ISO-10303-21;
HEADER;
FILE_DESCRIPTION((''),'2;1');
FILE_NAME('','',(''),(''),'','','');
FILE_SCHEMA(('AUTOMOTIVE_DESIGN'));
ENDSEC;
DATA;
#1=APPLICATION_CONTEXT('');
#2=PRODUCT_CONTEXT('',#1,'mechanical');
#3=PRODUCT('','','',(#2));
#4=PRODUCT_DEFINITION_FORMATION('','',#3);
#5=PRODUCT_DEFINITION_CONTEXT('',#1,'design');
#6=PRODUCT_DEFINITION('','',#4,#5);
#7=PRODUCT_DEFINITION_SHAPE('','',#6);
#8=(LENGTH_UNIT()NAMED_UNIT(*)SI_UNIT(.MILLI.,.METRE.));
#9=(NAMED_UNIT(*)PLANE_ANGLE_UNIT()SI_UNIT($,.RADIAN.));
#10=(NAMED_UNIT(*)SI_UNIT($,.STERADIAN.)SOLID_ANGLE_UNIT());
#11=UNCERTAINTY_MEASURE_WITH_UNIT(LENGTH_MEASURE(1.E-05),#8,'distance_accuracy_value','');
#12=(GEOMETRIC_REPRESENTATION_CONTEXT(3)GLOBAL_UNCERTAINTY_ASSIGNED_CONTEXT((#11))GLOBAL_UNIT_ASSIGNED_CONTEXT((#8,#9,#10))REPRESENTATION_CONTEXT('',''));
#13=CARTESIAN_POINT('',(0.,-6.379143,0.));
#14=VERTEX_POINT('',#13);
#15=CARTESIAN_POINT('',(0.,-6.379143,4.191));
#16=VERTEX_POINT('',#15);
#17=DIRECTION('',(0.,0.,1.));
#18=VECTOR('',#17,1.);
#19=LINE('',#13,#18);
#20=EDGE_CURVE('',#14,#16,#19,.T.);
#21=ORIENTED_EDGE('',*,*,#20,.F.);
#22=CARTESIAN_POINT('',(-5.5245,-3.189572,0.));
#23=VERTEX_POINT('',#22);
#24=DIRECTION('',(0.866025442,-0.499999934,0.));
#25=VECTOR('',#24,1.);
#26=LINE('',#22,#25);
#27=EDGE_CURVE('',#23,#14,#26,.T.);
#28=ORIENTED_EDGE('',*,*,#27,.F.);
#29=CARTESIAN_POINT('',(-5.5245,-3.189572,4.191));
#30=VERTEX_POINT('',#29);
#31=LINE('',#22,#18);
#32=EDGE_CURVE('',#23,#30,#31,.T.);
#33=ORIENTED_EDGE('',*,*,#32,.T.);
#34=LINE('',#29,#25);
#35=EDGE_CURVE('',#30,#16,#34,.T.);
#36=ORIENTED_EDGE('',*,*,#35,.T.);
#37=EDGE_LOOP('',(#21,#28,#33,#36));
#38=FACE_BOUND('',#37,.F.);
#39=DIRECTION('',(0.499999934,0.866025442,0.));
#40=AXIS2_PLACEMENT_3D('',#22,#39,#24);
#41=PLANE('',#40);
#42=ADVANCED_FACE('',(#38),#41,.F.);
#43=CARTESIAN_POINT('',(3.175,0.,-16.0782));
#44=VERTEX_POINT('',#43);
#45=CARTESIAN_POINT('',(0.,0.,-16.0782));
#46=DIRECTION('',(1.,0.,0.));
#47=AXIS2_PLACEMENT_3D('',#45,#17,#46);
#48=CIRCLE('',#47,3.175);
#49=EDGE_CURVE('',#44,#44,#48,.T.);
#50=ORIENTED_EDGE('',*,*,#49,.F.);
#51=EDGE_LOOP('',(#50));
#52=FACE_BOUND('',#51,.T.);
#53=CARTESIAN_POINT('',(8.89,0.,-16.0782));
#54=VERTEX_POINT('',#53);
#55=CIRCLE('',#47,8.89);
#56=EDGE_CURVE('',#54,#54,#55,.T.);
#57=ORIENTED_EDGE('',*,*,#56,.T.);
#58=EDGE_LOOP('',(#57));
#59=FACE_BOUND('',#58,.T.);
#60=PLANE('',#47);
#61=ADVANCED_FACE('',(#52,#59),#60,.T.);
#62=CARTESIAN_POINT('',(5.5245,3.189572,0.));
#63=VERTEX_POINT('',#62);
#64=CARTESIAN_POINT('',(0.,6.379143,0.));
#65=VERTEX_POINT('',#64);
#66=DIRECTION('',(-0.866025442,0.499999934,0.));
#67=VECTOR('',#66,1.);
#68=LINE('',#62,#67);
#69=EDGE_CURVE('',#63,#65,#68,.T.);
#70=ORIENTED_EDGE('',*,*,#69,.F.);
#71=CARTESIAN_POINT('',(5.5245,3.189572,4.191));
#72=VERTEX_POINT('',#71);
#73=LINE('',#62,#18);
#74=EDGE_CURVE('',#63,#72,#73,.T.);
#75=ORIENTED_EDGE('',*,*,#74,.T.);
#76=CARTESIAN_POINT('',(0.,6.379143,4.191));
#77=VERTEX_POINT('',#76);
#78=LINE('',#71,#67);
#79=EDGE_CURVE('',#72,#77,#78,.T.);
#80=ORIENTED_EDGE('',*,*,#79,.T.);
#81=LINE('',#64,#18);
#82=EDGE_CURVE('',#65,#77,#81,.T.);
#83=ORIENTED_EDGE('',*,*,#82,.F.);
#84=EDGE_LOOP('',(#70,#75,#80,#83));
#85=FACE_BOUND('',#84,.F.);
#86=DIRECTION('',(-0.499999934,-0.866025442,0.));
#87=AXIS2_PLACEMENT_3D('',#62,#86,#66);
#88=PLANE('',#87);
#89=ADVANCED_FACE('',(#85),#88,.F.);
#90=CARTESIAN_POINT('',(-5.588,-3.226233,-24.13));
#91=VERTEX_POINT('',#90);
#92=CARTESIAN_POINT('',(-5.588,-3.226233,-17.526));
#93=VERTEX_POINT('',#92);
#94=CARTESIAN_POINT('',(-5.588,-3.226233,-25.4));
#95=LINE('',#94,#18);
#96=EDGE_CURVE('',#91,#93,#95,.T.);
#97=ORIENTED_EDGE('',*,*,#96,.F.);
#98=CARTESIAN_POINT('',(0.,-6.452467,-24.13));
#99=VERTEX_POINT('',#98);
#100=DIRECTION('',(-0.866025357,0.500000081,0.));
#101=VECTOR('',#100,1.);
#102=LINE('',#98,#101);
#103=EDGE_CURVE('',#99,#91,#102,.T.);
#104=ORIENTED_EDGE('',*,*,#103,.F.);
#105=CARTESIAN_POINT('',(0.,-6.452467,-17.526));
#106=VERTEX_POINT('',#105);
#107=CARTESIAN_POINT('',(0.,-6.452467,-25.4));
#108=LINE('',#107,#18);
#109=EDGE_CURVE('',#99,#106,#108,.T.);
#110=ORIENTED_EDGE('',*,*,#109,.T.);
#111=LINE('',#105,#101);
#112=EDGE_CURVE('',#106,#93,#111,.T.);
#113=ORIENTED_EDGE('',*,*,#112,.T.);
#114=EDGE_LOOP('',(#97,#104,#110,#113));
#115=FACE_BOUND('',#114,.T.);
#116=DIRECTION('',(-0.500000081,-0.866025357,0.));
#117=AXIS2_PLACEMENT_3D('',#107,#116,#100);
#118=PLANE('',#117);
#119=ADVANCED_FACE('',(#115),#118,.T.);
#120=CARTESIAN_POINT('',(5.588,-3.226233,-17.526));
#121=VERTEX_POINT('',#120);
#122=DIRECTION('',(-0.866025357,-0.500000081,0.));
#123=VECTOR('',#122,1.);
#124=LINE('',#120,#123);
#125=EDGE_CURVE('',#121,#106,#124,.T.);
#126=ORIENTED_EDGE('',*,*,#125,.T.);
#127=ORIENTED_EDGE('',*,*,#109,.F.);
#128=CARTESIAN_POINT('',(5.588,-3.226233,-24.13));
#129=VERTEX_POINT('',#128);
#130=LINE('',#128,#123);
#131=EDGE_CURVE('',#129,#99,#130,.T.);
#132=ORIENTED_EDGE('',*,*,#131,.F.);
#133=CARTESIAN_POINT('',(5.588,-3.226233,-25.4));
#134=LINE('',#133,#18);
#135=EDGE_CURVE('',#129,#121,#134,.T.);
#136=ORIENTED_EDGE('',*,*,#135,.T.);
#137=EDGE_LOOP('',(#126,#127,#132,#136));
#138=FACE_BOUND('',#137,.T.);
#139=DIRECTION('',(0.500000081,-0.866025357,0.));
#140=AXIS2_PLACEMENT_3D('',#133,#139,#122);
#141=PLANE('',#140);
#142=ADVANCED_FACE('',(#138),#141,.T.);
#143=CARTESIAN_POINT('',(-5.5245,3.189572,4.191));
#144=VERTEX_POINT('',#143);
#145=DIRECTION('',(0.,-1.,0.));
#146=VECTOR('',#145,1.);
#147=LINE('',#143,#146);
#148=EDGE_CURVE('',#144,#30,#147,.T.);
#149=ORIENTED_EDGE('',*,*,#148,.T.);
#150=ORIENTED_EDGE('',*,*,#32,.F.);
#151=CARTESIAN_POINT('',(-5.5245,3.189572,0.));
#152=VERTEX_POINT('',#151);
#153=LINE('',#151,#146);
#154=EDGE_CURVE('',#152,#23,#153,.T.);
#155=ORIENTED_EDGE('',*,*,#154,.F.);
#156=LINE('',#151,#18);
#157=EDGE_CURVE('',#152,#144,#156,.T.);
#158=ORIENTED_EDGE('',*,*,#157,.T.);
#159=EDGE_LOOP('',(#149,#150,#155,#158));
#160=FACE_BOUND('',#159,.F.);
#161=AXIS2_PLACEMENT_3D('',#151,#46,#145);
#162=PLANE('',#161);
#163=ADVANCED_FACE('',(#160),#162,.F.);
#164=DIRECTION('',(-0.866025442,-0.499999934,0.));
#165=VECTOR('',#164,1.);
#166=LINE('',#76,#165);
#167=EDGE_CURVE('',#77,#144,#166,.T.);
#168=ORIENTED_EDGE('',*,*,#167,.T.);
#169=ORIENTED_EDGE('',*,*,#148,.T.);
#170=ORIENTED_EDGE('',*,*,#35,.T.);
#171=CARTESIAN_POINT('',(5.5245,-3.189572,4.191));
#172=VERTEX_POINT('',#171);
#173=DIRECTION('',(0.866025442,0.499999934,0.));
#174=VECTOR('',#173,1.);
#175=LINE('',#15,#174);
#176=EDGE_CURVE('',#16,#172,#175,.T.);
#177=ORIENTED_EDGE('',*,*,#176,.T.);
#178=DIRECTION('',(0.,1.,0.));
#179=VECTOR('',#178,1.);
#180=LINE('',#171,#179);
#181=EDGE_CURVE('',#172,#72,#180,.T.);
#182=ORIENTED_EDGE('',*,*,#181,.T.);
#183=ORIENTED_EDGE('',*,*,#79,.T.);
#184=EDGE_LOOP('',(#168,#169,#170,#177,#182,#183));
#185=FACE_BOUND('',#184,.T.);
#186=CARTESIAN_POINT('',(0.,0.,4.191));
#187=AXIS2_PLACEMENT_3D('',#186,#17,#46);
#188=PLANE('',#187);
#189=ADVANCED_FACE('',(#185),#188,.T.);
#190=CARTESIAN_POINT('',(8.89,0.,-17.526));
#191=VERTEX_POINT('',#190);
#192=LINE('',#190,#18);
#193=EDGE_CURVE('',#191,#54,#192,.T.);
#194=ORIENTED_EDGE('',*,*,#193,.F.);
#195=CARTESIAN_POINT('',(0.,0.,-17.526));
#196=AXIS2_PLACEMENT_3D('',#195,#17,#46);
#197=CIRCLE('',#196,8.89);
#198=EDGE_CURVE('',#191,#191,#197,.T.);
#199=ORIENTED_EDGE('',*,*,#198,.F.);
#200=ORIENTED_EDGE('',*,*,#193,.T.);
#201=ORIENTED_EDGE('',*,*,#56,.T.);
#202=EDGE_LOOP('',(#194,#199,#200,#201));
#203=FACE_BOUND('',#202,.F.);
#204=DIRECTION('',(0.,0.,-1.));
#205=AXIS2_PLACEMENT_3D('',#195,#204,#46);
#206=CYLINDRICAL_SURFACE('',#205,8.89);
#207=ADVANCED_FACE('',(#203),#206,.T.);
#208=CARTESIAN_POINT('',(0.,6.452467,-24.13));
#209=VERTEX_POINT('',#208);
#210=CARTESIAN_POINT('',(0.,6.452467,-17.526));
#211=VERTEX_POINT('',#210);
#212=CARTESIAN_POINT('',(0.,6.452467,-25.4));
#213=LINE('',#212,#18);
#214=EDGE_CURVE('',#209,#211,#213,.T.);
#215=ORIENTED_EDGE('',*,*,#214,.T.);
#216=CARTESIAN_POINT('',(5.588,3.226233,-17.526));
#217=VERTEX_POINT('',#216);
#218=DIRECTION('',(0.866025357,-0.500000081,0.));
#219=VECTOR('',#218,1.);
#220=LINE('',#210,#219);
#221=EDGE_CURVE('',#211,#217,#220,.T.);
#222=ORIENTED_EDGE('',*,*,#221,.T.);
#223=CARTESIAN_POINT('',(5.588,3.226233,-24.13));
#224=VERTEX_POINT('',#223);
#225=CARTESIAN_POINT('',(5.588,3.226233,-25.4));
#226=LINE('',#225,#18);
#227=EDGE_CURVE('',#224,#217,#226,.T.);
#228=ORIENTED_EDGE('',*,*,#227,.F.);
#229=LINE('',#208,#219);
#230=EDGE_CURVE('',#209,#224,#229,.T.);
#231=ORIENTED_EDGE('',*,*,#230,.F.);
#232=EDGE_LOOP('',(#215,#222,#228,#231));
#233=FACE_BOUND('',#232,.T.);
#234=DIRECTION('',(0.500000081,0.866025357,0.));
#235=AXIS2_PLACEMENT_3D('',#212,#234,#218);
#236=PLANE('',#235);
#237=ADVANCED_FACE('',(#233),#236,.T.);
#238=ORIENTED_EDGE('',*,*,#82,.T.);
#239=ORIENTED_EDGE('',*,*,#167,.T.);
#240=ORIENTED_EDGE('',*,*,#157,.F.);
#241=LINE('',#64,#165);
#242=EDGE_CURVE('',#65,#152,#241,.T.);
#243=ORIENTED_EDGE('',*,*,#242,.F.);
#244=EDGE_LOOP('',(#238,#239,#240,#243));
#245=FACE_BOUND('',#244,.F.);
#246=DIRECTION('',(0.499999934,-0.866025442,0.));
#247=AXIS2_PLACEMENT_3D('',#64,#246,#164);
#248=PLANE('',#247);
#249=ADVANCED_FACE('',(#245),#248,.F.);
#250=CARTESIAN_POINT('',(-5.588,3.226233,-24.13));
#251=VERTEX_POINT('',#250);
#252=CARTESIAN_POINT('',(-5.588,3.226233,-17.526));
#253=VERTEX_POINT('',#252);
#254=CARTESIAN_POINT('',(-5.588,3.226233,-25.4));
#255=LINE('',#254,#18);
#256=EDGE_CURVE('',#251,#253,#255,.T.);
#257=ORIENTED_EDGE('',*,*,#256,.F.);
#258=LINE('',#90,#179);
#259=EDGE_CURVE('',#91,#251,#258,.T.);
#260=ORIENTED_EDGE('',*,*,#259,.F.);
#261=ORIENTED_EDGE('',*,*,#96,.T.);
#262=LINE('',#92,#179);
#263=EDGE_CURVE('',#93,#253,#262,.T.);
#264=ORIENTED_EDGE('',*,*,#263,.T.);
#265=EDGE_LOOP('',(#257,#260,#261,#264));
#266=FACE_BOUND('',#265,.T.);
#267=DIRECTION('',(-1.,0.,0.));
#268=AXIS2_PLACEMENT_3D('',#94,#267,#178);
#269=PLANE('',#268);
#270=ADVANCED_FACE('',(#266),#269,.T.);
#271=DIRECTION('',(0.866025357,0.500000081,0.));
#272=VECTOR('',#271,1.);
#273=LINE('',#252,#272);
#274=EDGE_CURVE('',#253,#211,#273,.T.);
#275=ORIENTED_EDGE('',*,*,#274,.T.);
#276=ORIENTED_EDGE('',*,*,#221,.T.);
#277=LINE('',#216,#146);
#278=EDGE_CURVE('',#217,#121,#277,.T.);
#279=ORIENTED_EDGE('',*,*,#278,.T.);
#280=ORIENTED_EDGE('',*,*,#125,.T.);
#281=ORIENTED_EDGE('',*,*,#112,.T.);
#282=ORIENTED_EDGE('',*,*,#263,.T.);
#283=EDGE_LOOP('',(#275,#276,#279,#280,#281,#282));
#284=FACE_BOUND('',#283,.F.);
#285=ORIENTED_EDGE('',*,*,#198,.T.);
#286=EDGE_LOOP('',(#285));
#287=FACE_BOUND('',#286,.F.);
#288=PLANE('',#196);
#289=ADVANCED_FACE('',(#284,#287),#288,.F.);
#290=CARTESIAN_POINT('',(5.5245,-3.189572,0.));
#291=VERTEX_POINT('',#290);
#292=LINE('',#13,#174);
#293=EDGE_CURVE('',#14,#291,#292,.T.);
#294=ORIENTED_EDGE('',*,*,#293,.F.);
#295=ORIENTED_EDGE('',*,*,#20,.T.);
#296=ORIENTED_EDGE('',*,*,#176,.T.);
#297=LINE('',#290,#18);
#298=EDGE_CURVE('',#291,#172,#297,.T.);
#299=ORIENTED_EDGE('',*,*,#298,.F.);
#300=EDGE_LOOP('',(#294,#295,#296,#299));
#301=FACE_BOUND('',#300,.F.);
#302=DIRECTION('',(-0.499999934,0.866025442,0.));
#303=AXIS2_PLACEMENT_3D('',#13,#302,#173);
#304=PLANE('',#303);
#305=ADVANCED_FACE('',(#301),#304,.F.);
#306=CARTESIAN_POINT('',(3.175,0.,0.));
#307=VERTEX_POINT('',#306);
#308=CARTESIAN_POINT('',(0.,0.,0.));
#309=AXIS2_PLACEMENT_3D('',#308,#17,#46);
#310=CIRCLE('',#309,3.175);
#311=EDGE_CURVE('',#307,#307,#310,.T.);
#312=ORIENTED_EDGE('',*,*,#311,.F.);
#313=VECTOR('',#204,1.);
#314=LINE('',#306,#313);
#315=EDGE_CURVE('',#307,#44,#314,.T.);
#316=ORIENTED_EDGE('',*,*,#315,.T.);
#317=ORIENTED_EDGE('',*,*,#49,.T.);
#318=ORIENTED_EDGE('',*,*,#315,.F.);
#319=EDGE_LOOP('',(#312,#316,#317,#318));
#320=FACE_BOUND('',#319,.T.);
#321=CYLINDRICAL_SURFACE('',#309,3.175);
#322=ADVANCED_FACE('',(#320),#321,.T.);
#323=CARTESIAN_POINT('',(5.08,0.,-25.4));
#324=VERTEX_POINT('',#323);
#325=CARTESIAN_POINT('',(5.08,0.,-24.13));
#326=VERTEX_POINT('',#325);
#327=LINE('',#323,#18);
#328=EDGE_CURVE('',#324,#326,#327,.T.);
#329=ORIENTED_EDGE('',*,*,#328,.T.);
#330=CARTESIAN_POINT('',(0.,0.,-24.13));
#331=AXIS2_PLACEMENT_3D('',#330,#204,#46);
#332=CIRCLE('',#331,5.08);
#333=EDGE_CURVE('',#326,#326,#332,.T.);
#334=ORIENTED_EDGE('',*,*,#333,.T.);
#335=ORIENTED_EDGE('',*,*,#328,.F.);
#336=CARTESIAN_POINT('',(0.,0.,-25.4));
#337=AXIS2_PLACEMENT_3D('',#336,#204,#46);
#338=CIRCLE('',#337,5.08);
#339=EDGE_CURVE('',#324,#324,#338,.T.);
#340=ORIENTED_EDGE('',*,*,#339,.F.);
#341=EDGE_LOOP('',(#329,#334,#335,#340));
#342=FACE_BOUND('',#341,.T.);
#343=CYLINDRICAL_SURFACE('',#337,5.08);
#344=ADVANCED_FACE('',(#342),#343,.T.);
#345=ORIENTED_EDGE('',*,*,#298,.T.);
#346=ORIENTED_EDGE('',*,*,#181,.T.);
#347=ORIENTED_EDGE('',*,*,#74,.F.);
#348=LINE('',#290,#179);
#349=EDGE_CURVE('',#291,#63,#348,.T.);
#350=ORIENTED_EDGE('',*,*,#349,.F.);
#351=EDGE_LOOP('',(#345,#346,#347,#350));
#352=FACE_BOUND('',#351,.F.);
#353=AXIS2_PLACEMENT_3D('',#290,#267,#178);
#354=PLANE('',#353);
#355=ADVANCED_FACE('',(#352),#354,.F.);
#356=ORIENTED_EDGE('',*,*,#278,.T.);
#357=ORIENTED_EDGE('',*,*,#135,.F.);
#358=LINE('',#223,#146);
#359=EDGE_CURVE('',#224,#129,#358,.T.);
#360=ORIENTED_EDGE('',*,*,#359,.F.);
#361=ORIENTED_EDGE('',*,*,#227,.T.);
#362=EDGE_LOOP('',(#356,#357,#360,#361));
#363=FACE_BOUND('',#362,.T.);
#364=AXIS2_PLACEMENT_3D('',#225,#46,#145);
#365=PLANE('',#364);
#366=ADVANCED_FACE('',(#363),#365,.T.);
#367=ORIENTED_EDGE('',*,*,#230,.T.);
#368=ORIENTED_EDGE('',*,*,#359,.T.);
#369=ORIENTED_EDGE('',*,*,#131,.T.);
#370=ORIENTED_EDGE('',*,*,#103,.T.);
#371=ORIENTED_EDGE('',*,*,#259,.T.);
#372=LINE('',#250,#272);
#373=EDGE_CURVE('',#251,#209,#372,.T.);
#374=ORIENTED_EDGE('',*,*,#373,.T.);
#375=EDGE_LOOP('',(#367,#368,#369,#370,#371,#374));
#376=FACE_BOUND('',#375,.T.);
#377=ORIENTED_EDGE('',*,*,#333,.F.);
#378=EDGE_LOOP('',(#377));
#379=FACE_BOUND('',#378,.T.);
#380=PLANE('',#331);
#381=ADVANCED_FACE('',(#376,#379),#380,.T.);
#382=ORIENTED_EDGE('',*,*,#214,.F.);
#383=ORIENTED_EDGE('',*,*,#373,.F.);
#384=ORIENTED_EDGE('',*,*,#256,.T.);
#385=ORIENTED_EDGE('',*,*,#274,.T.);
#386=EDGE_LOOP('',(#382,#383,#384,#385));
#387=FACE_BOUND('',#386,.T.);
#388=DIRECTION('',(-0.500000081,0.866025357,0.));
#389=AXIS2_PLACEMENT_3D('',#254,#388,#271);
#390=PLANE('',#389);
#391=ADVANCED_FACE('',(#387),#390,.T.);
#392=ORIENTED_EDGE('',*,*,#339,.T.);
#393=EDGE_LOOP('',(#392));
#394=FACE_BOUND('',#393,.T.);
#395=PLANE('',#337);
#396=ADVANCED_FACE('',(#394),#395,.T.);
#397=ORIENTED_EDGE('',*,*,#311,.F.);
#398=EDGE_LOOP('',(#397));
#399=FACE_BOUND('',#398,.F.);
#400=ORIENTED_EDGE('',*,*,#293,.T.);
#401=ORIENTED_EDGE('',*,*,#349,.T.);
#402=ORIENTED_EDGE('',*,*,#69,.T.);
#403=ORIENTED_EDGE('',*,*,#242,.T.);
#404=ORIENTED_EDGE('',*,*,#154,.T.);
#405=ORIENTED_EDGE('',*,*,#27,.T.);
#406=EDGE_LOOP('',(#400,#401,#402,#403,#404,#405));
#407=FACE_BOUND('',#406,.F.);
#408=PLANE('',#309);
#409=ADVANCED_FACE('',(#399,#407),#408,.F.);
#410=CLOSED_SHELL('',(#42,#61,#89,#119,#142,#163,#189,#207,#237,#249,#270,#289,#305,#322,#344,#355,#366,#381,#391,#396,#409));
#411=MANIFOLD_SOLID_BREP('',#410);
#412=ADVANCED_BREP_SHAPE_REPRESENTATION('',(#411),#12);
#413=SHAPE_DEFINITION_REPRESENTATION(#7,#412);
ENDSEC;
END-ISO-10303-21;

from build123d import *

# Parameters (mm, degrees)
F0_R     = 3.175
F1_DEPTH = 25.4
F3_DEPTH = 4.191
F5_DEPTH = 7.874
F6_R     = 8.89
F7_DEPTH = 1.4478
F8_R     = 5.08
F9_DEPTH = 1.27


with BuildPart() as f1:
    # F0 (on Top) → F1 (new body)
    with BuildSketch(Plane.XY):
        Circle(F0_R)
    extrude(amount=-F1_DEPTH)

    # F2 (on face) → F3 (join)
    with BuildSketch(Plane.XY):
        Polygon((5.5245, 3.189572), (0, 6.379143), (-5.5245, 3.189572), (-5.5245, -3.189572), (0, -6.379143), (5.5245, -3.189572), align=None)
    extrude(amount=F3_DEPTH)

    # F4 (on face) → F5 (join)
    with BuildSketch(Plane(origin=(0, 0, -25.4), x_dir=(1, 0, 0), z_dir=(0, 0, -1))):
        Polygon((5.588, 3.226233), (0, 6.452467), (-5.588, 3.226233), (-5.588, -3.226233), (0, -6.452467), (5.588, -3.226233), align=None)
    extrude(amount=-F5_DEPTH)

    # F6 (on face) → F7 (join)
    with BuildSketch(Plane.XY.offset(-17.526)):
        Circle(F6_R)
    extrude(amount=F7_DEPTH)

    # F8 (on face) → F9 (cut)
    with BuildSketch(Plane(origin=(0, 0, -25.4), x_dir=(1, 0, 0), z_dir=(0, 0, -1))):
        Polygon((5.588, -3.226233), (5.588, 3.226233), (0, 6.452467), (-5.588, 3.226233), (-5.588, -3.226233), (0, -6.452467), align=None)
        Circle(F8_R, mode=Mode.SUBTRACT)
    extrude(amount=-F9_DEPTH, mode=Mode.SUBTRACT)


solid = f1.part
